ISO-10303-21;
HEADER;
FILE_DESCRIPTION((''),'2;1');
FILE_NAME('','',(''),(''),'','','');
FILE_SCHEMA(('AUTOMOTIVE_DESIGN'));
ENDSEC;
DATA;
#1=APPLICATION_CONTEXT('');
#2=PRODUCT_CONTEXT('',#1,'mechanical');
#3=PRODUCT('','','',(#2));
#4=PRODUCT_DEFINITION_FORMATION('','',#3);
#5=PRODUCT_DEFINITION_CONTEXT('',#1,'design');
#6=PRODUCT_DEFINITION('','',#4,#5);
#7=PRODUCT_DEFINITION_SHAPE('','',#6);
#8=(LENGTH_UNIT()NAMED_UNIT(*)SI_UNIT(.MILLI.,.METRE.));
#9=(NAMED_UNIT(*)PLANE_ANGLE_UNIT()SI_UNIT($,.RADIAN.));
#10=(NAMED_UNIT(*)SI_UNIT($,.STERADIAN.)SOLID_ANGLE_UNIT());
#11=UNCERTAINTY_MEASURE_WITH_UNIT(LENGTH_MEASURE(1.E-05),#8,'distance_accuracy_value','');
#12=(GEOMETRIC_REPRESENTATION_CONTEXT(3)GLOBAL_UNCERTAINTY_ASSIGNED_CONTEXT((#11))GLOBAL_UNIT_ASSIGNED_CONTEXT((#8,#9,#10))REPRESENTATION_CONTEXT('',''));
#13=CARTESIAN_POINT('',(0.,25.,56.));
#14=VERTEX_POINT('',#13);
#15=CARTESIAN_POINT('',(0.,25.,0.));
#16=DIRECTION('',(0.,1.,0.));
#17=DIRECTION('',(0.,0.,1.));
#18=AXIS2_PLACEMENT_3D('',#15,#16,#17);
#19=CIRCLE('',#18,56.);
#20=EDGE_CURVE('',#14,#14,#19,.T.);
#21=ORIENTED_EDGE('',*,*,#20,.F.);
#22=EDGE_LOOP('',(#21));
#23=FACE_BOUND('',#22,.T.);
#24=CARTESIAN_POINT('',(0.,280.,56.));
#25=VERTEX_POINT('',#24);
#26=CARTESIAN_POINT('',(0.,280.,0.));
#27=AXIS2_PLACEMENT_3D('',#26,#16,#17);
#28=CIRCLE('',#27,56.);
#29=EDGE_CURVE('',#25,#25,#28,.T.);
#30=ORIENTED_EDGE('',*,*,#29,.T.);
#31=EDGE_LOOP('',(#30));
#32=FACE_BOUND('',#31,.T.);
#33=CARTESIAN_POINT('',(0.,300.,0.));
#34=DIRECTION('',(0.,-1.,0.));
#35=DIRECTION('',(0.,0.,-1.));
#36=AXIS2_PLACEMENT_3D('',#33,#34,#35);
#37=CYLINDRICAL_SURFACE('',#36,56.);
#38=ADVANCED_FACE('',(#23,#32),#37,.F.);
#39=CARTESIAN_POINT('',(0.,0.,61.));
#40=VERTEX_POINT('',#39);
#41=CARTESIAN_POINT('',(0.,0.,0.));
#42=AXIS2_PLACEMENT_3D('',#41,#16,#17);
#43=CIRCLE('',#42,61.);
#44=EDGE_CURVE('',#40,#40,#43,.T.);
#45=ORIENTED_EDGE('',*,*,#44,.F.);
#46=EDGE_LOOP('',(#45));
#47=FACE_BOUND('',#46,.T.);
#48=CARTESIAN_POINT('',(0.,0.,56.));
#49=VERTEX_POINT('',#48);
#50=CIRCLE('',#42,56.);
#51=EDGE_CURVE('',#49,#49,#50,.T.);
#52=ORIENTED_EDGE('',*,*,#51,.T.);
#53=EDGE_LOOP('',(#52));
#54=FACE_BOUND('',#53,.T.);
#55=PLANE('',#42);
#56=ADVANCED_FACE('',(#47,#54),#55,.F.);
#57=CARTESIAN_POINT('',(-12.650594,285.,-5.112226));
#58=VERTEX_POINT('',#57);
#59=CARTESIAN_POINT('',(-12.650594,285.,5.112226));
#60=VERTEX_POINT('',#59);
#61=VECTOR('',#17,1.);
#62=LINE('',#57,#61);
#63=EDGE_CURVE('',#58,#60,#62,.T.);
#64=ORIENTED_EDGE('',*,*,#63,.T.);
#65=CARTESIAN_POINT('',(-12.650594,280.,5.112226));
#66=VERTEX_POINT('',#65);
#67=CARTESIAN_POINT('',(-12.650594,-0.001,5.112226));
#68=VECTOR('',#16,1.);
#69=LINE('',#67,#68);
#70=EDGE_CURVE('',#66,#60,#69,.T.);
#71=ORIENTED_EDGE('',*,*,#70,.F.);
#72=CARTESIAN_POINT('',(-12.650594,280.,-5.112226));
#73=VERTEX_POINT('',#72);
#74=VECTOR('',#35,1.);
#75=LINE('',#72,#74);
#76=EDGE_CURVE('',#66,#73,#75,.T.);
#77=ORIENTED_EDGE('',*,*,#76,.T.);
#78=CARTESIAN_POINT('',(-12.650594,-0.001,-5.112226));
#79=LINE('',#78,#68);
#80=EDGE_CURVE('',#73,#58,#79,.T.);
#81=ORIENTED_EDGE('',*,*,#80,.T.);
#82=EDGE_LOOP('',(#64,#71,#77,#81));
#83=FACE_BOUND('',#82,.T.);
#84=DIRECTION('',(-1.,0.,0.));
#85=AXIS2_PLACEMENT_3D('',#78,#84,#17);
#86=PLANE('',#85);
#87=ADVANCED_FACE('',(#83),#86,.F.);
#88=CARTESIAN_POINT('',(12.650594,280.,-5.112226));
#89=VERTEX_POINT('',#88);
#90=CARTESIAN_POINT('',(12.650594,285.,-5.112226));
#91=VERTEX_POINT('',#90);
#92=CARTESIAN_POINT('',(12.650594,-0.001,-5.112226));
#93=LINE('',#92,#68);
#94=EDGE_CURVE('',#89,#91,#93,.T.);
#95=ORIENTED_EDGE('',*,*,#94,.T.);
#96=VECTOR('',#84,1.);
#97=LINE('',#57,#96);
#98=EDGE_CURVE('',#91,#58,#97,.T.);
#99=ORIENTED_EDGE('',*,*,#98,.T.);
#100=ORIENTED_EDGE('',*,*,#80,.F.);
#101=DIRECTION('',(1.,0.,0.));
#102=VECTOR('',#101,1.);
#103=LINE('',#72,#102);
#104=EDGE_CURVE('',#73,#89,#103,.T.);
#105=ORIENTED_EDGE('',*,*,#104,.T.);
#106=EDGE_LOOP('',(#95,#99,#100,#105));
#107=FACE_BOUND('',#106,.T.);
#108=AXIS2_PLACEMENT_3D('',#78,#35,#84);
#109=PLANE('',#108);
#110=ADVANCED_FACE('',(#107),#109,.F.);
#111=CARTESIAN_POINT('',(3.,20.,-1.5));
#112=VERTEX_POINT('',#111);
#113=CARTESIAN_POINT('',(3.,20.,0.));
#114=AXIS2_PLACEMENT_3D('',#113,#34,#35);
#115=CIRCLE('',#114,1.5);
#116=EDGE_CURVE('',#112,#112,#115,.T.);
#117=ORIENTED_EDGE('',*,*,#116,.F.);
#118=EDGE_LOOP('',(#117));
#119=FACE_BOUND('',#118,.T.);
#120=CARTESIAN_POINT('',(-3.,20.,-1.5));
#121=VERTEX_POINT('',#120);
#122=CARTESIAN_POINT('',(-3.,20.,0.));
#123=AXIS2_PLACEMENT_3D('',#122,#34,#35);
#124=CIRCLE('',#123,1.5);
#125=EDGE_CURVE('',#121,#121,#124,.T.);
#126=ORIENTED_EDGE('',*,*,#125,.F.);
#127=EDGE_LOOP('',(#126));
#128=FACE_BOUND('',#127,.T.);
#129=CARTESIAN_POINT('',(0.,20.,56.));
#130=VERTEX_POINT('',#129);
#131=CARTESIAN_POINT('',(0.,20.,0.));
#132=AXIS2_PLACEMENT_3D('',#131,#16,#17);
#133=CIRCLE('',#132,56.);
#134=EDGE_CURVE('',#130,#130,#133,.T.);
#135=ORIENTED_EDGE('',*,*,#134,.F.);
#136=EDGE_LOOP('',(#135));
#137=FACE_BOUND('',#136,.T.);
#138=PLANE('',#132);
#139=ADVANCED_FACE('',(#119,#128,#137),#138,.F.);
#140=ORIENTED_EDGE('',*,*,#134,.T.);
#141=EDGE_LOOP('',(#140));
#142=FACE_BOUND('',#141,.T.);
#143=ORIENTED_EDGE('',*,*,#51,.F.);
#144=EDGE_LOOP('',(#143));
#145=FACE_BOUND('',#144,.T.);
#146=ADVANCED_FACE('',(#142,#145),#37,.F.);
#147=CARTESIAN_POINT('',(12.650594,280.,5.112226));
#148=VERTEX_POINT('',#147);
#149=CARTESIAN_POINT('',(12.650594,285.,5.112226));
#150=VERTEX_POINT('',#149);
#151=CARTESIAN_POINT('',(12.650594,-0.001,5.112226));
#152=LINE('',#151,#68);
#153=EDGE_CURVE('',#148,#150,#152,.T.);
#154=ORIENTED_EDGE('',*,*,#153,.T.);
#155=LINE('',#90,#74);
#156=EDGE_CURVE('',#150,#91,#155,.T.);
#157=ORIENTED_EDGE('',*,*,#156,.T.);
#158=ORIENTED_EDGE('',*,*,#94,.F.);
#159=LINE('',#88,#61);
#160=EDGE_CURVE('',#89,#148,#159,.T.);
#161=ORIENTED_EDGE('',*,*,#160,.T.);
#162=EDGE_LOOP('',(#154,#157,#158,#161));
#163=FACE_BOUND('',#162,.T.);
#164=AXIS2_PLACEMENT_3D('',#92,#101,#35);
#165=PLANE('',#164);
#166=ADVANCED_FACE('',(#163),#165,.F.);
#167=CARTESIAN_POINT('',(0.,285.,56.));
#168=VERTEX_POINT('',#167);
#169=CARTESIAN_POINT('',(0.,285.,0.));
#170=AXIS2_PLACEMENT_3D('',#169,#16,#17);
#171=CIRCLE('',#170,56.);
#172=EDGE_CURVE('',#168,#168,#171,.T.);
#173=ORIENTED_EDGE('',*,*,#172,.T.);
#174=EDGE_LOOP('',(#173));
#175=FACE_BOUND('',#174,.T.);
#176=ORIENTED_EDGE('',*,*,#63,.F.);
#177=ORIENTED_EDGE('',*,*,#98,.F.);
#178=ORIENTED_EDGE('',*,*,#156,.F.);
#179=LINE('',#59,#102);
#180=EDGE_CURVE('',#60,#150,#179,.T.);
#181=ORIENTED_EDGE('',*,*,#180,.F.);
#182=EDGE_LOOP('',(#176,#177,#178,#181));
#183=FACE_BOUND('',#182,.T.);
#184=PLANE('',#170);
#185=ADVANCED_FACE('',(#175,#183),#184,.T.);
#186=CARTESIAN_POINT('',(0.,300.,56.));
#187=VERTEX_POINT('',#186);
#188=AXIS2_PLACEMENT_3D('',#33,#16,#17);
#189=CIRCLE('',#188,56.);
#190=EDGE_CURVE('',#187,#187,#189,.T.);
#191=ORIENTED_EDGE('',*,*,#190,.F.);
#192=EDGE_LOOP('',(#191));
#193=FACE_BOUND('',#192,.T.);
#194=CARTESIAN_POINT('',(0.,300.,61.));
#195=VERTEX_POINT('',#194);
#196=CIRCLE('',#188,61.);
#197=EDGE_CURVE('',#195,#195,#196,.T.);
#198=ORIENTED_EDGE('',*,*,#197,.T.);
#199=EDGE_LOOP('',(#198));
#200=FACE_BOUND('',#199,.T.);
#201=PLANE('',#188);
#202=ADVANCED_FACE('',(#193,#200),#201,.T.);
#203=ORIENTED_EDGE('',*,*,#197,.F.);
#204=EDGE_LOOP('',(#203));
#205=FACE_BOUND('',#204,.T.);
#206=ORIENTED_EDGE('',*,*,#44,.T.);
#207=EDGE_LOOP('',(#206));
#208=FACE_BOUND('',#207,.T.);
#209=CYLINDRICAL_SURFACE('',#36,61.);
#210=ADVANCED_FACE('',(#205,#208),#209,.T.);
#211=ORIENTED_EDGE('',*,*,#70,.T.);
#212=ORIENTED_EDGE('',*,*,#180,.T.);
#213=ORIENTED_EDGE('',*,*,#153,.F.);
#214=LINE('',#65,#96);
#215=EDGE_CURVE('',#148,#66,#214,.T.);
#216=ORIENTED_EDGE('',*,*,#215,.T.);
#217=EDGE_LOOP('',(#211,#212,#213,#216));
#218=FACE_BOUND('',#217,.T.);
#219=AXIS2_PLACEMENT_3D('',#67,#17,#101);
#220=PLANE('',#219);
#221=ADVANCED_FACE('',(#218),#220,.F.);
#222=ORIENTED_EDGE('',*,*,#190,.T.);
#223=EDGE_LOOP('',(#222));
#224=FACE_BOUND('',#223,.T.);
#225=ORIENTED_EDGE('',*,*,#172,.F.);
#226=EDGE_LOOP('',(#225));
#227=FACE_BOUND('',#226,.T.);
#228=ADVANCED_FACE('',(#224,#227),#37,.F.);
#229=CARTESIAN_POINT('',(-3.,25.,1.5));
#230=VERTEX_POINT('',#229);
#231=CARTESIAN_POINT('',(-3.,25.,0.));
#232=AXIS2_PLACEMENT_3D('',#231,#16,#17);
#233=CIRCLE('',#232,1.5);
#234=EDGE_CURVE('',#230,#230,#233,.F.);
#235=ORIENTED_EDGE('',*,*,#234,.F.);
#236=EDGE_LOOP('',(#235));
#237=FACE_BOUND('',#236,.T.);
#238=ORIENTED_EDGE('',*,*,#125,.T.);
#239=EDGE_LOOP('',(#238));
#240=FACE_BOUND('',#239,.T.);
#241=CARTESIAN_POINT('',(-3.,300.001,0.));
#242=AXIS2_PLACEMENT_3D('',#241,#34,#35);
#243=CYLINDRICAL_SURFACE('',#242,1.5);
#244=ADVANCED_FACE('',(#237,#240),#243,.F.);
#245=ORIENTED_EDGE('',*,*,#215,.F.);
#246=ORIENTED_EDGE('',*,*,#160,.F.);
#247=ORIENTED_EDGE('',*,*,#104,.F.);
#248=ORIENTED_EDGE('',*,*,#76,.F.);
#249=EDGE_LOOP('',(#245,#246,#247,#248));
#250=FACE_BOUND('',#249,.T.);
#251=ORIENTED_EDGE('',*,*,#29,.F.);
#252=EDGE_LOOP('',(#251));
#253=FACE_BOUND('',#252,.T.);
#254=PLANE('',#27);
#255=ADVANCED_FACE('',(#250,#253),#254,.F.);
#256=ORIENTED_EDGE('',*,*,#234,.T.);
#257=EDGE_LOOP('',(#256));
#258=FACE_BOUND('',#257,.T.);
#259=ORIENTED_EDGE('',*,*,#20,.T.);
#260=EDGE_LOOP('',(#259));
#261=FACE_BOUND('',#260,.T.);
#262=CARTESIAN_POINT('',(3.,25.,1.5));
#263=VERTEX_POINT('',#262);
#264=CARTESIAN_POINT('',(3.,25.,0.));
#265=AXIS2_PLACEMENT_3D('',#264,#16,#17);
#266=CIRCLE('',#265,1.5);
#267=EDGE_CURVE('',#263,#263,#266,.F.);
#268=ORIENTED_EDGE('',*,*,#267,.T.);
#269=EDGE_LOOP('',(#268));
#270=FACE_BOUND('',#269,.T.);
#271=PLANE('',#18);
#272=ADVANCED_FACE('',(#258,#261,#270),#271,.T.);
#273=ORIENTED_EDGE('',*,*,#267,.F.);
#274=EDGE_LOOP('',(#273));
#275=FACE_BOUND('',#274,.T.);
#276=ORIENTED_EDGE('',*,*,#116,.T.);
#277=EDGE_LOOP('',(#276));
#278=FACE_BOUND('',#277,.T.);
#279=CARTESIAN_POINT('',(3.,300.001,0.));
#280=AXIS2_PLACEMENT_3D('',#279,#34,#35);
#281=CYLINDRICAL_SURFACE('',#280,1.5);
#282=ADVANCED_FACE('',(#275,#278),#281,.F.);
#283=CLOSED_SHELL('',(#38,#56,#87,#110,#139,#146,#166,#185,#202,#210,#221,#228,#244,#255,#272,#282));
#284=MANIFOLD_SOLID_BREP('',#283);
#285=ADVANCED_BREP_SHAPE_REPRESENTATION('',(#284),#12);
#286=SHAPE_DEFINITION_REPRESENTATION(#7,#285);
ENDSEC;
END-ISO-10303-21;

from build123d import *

# Parameters (mm, degrees)
SKETCH1_R           = 61
SKETCH1_R_2         = 56
BOSS_EXTRUDE1_DEPTH = 300
SKETCH3_R           = 56
BOSS_EXTRUDE2_DEPTH = 5
CUT_EXTRUDE1_REACH  = 294.988
SKETCH4_R           = 1.5
SKETCH5_R           = 56
BOSS_EXTRUDE3_DEPTH = 5
CUT_EXTRUDE2_REACH  = 299.77
SKETCH6_W           = 25.301187414
SKETCH6_H           = 10.224452448


with BuildPart() as part:
    # Sketch1 → Boss-Extrude1 (new body)
    with BuildSketch(Plane(origin=(0, 0, 0), x_dir=(1, 0, 0), z_dir=(0, 1, 0))):
        with Locations(Location((0, 0, 0), (0, 0, 270))):
            Circle(SKETCH1_R)
        with Locations(Location((0, 0, 0), (0, 0, 270))):
            Circle(SKETCH1_R_2, mode=Mode.SUBTRACT)
    extrude(amount=BOSS_EXTRUDE1_DEPTH)

    # Sketch3 → Boss-Extrude2 (add)
    with BuildSketch(Plane(origin=(0, 20, 0), x_dir=(1, 0, 0), z_dir=(0, 1, 0))):
        with Locations(Location((0, 0, 0), (0, 0, 270))):
            Circle(SKETCH3_R)
    extrude(amount=BOSS_EXTRUDE2_DEPTH)

    # Sketch4 → Cut-Extrude1 (cut, up to next)
    with BuildSketch(Plane.XZ.offset(-20), mode=Mode.PRIVATE) as cut_extrude1_sk1:
        with Locations(Location((-3, 0, 0), (0, 0, 270))):
            Circle(SKETCH4_R)
    cut_extrude1_tool1 = extrude(cut_extrude1_sk1.sketch, amount=-CUT_EXTRUDE1_REACH, mode=Mode.PRIVATE) & part.part
    # Sketch4 → Cut-Extrude1 (cut, up to next)
    with BuildSketch(Plane.XZ.offset(-20), mode=Mode.PRIVATE) as cut_extrude1_sk2:
        with Locations(Location((3, 0, 0), (0, 0, 270))):
            Circle(SKETCH4_R)
    cut_extrude1_tool2 = extrude(cut_extrude1_sk2.sketch, amount=-CUT_EXTRUDE1_REACH, mode=Mode.PRIVATE) & part.part
    add(cut_extrude1_tool1.solids().sort_by_distance((-3, 20, 0))[0], mode=Mode.SUBTRACT)
    add(cut_extrude1_tool2.solids().sort_by_distance((3, 20, 0))[0], mode=Mode.SUBTRACT)

    # Sketch5 → Boss-Extrude3 (add)
    with BuildSketch(Plane(origin=(0, 280, 0), x_dir=(1, 0, 0), z_dir=(0, 1, 0))):
        with Locations(Location((0, 0, 0), (0, 0, 270))):
            Circle(SKETCH5_R)
    extrude(amount=BOSS_EXTRUDE3_DEPTH)

    # Sketch6 → Cut-Extrude2 (cut, up to next)
    with BuildSketch(Plane(origin=(0, 285, 0), x_dir=(1, 0, 0), z_dir=(0, 1, 0)), mode=Mode.PRIVATE) as cut_extrude2_sk1:
        Rectangle(SKETCH6_W, SKETCH6_H)
    cut_extrude2_tool1 = extrude(cut_extrude2_sk1.sketch, amount=-CUT_EXTRUDE2_REACH, mode=Mode.PRIVATE) & part.part
    add(cut_extrude2_tool1.solids().sort_by_distance((0, 285, 0))[0], mode=Mode.SUBTRACT)


solid = part.part
